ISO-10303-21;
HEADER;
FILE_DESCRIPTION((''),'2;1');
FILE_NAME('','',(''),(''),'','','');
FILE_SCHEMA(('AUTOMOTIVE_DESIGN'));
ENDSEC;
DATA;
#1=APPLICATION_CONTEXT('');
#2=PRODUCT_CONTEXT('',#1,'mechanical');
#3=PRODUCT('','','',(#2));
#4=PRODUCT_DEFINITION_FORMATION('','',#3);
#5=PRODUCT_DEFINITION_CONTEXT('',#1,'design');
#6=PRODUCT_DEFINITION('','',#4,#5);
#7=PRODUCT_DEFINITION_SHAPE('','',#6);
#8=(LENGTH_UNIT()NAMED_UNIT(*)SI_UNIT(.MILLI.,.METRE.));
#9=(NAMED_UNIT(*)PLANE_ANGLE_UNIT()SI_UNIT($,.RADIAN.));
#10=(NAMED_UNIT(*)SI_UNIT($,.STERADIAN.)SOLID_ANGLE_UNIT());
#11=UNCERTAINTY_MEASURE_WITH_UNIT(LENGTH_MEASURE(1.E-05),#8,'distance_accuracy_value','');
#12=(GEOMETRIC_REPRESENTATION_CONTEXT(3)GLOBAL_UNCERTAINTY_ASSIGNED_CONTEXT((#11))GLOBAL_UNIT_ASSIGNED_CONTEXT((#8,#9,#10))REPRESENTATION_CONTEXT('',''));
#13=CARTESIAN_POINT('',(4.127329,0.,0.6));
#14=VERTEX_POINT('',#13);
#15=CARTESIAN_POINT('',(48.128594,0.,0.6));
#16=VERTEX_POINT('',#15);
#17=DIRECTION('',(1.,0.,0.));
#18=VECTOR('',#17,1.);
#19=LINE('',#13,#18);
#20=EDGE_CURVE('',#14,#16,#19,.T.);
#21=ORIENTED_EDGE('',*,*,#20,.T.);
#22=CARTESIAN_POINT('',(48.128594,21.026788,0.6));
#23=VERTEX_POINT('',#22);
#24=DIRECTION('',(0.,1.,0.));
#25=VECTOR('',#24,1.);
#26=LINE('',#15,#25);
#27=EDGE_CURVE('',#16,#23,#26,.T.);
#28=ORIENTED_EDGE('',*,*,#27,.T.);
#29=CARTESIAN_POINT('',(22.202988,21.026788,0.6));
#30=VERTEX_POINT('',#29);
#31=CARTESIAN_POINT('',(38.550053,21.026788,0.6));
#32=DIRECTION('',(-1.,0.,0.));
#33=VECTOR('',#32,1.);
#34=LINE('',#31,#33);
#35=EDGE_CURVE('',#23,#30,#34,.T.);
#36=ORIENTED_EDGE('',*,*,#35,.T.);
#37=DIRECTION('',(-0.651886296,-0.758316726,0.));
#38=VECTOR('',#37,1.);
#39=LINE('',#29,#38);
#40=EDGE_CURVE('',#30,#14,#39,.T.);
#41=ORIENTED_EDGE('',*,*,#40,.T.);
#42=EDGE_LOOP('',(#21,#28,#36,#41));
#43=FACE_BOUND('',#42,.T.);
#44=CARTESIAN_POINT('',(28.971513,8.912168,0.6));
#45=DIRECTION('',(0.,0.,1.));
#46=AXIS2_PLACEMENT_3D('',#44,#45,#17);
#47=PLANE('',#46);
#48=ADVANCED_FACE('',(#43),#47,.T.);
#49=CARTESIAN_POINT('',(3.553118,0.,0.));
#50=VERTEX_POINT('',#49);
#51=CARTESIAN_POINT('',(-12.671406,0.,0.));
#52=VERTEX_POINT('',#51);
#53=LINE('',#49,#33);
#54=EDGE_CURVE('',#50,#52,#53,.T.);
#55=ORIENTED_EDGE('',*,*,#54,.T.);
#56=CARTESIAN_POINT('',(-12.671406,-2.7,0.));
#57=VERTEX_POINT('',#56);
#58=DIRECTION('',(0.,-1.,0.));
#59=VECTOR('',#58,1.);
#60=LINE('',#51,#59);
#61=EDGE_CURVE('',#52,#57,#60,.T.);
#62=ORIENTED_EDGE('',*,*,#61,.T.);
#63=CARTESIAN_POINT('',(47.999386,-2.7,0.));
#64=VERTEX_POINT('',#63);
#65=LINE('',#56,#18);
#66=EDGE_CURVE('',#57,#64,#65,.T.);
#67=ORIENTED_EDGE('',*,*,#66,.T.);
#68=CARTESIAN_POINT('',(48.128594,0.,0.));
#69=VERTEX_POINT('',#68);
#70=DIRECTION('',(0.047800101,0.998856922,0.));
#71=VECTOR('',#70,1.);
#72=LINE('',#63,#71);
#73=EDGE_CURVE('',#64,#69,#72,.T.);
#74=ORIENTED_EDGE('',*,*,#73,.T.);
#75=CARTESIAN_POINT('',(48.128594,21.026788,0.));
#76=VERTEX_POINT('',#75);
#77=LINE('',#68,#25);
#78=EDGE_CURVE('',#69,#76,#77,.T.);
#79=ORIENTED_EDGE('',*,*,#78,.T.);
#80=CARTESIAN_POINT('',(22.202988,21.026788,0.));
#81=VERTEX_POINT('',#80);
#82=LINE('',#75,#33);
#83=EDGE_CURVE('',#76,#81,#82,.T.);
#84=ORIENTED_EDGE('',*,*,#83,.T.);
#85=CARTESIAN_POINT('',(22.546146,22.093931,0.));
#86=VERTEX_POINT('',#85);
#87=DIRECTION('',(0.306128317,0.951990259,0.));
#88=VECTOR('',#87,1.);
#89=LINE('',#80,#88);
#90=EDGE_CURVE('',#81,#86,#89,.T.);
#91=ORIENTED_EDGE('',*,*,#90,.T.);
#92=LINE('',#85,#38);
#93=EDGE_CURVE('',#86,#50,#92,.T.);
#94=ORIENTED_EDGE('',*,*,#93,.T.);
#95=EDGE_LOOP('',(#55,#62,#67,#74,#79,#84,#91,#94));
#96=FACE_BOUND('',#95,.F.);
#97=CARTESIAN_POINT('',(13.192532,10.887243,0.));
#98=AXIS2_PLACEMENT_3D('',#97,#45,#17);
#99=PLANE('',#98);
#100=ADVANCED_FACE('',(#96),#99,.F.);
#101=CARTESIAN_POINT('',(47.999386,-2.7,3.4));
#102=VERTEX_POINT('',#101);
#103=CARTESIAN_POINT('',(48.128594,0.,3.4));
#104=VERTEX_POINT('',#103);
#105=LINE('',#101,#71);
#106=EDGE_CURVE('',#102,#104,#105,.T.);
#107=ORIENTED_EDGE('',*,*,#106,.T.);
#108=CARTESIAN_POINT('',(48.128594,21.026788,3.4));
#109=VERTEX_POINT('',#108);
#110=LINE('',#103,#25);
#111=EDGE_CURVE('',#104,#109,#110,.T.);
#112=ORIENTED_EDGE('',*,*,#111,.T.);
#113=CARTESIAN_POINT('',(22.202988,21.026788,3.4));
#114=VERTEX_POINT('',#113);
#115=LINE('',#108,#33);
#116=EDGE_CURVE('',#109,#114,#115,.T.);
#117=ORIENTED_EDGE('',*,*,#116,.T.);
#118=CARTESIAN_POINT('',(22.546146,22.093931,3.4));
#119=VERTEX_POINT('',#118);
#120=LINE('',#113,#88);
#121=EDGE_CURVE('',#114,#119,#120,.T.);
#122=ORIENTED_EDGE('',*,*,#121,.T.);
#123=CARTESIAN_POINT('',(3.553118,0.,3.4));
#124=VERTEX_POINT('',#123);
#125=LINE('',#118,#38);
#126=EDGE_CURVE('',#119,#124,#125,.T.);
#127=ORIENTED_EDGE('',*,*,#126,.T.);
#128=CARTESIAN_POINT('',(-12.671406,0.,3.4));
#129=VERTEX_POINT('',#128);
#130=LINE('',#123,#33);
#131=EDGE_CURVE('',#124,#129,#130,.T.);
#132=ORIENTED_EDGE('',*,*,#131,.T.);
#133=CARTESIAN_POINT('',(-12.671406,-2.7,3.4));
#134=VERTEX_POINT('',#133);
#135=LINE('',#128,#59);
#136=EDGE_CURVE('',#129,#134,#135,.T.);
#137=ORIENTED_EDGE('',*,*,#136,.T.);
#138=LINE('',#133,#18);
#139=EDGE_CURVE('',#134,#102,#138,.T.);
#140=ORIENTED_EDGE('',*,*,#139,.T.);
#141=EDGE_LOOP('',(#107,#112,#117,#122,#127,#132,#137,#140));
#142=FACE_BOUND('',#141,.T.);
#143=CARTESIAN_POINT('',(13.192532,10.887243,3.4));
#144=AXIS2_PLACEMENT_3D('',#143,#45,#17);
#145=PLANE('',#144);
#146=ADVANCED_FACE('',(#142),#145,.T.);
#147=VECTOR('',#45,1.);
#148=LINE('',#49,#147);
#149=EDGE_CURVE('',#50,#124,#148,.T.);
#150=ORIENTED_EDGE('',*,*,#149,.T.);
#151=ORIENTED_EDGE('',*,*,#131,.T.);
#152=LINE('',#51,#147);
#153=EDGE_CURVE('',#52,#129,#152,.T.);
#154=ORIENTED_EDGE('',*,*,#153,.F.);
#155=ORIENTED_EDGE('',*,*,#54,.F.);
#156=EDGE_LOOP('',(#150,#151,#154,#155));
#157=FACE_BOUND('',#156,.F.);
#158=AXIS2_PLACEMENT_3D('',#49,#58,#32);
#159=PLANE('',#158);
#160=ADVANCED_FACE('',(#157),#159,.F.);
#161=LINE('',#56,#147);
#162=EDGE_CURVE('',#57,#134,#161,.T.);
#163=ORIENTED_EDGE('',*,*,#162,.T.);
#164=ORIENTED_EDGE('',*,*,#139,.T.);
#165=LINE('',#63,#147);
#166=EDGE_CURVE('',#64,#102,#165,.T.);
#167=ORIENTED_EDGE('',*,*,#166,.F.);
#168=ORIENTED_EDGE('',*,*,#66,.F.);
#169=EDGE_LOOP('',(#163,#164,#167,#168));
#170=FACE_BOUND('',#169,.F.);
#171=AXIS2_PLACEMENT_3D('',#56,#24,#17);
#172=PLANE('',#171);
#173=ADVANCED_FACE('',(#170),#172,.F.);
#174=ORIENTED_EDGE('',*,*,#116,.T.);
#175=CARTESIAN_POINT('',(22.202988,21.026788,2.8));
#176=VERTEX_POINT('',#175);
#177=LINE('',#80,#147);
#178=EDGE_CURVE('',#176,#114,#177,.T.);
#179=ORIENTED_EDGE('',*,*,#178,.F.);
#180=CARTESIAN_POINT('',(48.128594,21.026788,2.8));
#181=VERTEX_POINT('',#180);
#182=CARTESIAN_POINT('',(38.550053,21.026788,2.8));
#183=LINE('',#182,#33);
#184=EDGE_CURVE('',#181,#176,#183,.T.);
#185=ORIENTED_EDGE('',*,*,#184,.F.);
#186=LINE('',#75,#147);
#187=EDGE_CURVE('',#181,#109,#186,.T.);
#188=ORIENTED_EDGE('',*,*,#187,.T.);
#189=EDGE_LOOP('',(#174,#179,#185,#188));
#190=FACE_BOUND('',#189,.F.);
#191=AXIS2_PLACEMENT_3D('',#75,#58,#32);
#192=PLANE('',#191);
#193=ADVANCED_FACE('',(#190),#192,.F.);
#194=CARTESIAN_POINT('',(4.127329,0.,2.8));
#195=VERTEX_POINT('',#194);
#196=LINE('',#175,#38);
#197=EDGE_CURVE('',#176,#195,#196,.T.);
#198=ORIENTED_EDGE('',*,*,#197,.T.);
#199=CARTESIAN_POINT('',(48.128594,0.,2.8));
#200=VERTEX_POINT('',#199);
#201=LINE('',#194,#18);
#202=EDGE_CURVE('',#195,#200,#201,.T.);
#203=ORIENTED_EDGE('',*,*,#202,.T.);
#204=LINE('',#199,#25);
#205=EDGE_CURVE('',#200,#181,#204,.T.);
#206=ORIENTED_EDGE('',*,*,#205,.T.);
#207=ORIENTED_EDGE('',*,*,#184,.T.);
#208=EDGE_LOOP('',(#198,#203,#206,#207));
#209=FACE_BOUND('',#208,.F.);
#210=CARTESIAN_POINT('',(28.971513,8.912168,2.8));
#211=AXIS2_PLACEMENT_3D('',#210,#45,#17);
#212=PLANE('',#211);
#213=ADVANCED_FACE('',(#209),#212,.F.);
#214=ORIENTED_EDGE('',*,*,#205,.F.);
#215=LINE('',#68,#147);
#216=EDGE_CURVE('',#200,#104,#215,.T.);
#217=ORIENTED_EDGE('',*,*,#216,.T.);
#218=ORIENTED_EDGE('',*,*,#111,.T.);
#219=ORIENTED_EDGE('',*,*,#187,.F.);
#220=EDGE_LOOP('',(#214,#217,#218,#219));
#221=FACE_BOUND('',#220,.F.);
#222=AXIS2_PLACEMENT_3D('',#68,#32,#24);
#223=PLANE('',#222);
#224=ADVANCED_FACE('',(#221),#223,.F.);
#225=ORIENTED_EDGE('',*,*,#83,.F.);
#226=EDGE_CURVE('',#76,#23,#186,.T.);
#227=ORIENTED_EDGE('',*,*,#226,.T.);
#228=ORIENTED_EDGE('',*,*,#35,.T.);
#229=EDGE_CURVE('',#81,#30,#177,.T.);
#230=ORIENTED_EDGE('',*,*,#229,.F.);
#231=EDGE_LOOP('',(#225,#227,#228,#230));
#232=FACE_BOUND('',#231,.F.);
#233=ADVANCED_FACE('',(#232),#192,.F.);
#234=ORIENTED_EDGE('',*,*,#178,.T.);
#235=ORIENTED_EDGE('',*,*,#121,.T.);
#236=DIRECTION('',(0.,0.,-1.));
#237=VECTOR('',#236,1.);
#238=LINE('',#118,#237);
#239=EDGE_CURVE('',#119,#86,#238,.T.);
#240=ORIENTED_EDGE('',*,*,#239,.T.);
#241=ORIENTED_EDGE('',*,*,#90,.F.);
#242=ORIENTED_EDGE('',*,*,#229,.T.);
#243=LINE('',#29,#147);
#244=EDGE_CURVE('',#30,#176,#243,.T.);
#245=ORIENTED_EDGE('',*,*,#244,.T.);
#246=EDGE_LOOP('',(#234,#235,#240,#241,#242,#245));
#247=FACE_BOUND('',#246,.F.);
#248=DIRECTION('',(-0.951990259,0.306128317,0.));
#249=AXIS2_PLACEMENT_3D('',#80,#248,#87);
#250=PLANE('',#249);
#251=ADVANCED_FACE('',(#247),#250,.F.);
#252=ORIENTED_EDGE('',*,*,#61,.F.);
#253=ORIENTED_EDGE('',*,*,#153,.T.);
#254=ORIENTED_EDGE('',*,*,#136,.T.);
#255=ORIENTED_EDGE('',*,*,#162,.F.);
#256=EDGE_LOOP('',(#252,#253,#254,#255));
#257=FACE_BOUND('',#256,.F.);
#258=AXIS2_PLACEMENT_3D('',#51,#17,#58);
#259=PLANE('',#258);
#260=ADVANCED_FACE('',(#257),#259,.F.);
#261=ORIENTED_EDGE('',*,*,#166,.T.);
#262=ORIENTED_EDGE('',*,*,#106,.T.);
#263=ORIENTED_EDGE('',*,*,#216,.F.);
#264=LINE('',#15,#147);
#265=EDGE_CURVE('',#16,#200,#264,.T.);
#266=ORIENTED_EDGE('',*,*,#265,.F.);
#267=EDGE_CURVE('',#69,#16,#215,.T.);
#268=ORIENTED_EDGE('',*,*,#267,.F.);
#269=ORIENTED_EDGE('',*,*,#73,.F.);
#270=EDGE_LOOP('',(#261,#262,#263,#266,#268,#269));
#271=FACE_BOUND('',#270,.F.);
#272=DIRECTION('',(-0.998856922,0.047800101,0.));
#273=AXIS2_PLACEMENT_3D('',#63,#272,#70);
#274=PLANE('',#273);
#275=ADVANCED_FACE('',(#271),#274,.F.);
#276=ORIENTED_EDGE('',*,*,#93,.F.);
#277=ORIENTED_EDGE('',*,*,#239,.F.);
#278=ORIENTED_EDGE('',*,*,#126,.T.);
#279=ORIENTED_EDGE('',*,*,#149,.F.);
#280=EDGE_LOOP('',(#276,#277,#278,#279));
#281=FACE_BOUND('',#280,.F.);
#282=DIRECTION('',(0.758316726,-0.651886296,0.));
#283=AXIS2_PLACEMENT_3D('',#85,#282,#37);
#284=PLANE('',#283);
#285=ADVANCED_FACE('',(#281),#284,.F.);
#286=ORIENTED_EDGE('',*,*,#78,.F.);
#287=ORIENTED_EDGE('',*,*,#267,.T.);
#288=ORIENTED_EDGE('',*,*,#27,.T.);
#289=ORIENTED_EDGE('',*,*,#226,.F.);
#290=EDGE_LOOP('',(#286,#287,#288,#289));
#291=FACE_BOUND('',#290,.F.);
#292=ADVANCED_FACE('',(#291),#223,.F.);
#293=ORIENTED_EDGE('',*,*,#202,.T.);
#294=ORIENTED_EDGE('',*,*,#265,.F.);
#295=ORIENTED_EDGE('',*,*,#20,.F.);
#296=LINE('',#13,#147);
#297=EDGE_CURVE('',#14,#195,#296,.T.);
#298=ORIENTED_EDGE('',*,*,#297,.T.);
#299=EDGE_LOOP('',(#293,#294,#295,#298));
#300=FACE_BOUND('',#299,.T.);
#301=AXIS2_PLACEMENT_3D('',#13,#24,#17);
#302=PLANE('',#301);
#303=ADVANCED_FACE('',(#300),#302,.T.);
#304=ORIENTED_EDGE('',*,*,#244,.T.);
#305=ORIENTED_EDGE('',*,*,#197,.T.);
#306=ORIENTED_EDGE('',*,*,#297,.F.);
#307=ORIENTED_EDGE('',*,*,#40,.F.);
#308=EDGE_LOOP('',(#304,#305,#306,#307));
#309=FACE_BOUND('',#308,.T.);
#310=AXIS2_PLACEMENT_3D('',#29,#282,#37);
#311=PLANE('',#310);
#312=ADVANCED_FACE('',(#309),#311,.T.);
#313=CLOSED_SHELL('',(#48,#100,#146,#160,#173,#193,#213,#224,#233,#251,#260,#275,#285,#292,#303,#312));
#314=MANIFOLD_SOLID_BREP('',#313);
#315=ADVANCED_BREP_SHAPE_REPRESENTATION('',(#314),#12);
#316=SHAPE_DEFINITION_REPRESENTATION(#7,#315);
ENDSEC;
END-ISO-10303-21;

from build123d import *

# Parameters (mm, degrees)
F1_DEPTH = 3.4
F2_START = 0.6
F2_DEPTH = 2.2


with BuildPart() as f1:
    # F0 (on Top) → F1 (new body)
    with BuildSketch(Plane.XY):
        Polygon((22.546146065, 22.093931213), (3.5531178582, 0), (4.1273287497, 0), (22.2029884881, 21.0267882794), align=None)
        Polygon((22.2029884881, 21.0267882794), (4.1273287497, 0), (48.128593713, 0), (48.128593713, 21.0267882794), align=None)
        Polygon((3.5531178582, 0), (-12.671406287, 0), (-12.671406287, -2.7), (47.9993857443, -2.7), (48.128593713, 0), (4.1273287497, 0), align=None)
    extrude(amount=F1_DEPTH)

    # F0 (on Top) → F2 (cut)
    with BuildSketch(Plane.XY.offset(F2_START)):
        Polygon((22.2029884881, 21.0267882794), (4.1273287497, 0), (48.128593713, 0), (48.128593713, 21.0267882794), align=None)
        Polygon((48.128593713, 22.093931213), (22.546146065, 22.093931213), (22.2029884881, 21.0267882794), (48.128593713, 21.0267882794), align=None)
    extrude(amount=F2_DEPTH, mode=Mode.SUBTRACT)


solid = f1.part
